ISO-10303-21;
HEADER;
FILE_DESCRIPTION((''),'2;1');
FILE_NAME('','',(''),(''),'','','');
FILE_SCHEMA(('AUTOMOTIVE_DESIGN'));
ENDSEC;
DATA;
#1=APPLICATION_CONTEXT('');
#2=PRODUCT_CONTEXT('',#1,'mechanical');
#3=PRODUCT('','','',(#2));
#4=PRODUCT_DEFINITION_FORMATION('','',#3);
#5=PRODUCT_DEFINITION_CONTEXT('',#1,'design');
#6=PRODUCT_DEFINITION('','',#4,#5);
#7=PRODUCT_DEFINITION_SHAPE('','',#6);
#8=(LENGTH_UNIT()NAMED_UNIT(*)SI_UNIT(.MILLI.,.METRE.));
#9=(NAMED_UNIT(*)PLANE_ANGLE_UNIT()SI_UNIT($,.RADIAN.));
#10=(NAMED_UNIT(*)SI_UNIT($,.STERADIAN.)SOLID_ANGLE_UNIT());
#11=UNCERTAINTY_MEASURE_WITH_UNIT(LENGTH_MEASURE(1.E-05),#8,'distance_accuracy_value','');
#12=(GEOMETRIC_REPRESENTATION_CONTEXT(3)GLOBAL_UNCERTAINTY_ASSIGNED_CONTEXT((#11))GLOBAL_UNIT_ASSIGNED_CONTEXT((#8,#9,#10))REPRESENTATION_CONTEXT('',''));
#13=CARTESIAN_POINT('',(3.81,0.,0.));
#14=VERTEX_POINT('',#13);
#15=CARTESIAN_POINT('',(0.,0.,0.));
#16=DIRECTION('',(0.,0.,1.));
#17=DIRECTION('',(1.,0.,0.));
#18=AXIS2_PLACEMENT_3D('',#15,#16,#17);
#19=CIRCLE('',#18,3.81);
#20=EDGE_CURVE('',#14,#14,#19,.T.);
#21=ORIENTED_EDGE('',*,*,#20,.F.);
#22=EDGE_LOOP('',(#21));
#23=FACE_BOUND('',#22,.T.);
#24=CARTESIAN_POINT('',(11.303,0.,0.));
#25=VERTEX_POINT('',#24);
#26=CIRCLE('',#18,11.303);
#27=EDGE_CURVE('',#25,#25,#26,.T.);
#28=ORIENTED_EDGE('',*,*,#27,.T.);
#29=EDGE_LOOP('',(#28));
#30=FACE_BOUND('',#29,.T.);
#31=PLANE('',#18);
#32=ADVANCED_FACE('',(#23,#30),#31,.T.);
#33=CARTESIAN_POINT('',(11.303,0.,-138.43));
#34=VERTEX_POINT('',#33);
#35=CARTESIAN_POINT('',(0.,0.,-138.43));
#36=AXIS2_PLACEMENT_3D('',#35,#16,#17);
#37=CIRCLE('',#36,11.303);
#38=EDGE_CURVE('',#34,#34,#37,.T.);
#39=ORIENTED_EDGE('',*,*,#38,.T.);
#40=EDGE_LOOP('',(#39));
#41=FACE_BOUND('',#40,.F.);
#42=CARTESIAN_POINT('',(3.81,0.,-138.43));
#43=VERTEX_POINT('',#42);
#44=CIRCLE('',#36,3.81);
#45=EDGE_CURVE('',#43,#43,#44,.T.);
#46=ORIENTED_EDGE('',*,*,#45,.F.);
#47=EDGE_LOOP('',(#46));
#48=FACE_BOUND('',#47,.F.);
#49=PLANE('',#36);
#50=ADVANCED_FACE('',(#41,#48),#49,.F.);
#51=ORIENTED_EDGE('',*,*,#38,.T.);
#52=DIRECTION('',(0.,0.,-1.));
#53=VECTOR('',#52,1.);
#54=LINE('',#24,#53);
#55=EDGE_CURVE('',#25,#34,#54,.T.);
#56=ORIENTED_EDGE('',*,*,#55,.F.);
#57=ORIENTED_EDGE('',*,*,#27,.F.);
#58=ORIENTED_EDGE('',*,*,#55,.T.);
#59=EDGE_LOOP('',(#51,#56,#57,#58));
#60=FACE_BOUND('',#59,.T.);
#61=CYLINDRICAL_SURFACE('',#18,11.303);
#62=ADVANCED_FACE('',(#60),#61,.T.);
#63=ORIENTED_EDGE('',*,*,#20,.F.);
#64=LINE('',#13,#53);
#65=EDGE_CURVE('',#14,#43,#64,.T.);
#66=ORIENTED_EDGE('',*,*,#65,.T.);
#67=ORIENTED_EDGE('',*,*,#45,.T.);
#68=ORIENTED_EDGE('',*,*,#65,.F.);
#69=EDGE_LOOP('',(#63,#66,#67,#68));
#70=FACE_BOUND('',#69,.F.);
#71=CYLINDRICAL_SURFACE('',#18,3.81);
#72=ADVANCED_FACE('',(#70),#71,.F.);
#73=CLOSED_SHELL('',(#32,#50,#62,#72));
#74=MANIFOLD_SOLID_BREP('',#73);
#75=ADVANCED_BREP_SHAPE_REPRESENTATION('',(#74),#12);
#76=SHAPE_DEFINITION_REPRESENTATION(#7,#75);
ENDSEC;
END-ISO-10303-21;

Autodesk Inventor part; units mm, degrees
ref_plane "YZ Plane" through (0, 0, 0) normal (1, 0, 0) x (0, 1, 0)
ref_plane "XZ Plane" through (0, 0, 0) normal (0, 1, 0) x (-1, 0, 0)
ref_plane "XY Plane" through (0, 0, 0) normal (0, 0, 1) x (1, 0, 0)
sketch "Sketch1" plane through (0, 0, 0) normal (0, 0, 1) x (1, 0, 0)
  circle A0 centre (0, 0) radius 11.303
  circle A1 centre (0, 0) radius 3.81
  dimension "d0" = 22.606
  dimension "d1" = 7.62
extrude "Extrusion1" add sketch "Sketch1" against normal blind 138.43
properties part number "roller"
